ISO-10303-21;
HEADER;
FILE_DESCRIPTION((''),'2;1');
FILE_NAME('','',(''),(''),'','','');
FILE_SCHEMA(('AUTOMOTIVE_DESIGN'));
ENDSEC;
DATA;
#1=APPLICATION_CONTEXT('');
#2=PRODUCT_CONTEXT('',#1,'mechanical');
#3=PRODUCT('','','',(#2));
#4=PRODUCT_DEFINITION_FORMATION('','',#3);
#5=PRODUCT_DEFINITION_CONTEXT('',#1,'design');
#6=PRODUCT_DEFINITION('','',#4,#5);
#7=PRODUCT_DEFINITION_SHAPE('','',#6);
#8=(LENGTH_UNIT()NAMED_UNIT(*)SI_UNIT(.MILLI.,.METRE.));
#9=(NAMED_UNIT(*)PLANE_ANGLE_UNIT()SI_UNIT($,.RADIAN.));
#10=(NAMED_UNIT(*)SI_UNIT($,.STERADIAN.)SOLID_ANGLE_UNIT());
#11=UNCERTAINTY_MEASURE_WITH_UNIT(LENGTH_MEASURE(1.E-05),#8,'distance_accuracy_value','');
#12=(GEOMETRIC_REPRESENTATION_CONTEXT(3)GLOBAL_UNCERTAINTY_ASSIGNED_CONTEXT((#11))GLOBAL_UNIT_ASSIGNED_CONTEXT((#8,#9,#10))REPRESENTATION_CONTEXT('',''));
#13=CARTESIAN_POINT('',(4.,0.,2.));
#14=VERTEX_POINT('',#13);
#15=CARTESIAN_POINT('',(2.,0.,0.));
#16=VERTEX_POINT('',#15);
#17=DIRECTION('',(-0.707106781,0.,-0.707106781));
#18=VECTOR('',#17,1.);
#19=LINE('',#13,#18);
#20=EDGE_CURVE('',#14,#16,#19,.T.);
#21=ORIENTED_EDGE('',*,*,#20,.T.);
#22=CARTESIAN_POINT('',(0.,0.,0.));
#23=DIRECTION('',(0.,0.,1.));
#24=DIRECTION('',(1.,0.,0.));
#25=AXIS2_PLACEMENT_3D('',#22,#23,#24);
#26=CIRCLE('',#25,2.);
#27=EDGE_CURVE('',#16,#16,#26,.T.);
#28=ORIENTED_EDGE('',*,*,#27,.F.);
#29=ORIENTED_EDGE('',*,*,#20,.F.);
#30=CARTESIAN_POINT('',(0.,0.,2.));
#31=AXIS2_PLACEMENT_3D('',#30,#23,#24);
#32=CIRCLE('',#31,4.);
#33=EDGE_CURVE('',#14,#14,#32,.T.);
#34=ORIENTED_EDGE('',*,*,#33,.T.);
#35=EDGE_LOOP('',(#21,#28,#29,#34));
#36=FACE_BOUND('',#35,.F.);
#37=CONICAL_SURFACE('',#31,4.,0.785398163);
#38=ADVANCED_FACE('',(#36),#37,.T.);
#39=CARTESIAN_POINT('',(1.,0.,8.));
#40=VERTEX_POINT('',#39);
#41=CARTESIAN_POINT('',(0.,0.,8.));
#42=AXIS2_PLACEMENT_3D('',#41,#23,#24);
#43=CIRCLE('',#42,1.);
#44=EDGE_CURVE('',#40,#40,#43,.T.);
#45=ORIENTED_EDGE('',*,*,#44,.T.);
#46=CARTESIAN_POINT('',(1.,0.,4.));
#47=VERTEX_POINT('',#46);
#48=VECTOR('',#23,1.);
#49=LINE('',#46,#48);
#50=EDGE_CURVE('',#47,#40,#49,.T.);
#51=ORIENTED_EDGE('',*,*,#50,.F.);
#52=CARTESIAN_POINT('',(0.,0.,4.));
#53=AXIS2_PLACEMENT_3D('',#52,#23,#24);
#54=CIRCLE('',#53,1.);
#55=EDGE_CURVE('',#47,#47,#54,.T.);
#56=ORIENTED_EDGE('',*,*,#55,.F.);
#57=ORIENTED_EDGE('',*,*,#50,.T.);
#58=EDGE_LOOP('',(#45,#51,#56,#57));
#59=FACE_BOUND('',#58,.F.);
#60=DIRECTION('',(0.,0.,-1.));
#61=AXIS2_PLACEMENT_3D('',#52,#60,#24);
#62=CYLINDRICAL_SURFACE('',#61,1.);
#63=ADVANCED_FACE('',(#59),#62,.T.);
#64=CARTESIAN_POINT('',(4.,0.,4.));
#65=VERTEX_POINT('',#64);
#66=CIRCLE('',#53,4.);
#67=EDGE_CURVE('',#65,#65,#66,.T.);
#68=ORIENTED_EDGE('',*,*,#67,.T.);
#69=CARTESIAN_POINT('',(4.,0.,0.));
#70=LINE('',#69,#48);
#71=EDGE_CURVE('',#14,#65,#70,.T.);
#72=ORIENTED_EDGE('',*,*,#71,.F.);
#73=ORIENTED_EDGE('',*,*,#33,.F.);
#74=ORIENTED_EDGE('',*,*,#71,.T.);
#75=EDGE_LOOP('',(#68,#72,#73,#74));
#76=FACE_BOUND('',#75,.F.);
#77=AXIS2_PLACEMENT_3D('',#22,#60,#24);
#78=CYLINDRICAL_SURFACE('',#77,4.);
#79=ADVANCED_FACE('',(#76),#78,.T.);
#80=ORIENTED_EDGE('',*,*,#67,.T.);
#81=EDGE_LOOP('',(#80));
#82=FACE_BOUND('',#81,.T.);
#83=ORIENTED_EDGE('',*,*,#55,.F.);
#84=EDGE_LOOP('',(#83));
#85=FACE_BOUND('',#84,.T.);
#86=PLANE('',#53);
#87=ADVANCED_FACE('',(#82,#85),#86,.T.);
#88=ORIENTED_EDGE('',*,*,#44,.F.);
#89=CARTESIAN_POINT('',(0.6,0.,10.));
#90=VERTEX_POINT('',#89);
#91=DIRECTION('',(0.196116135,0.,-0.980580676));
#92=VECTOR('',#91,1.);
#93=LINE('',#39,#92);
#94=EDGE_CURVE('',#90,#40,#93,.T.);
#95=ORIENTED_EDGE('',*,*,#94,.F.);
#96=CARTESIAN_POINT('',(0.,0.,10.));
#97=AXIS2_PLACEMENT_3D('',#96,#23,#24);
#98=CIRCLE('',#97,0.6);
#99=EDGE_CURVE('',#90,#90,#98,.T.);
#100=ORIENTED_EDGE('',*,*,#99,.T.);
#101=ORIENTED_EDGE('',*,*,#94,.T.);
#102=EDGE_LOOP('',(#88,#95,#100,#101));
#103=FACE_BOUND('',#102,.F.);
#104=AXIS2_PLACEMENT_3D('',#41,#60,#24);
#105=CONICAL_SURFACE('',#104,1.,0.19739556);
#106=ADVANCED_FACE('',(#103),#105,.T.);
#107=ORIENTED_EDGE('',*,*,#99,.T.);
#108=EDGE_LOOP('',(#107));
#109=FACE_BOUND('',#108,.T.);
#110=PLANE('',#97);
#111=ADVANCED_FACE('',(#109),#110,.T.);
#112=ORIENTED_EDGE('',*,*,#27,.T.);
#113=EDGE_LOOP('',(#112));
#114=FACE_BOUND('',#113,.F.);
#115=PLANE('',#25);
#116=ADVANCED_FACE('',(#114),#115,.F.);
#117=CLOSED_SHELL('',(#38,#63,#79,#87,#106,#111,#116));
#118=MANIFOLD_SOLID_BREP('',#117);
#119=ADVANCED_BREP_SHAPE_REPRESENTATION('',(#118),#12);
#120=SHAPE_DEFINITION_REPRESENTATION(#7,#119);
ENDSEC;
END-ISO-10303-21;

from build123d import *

# Parameters (mm, degrees)
F0_R     = 4
F1_DEPTH = 4
F2_R     = 1
F3_DEPTH = 6
F4_SIZE2 = 2
F4_SIZE  = 0.4
F5_SIZE2 = 2
F5_SIZE  = 2


with BuildPart() as f1:
    # F0 (on Top) → F1 (new body)
    with BuildSketch(Plane.XY):
        Circle(F0_R)
    extrude(amount=F1_DEPTH)

    # F2 (on face) → F3 (join)
    with BuildSketch(Plane.XY.offset(4)):
        Circle(F2_R)
    extrude(amount=F3_DEPTH)

    # F4
    f4_edges = [f1.edges().sort_by_distance(p)[0] for p in [
        (-1, 0, 10),
    ]]
    f4_side = f1.faces().sort_by_distance((0, 0, 10))[0]
    chamfer(f4_edges, length=F4_SIZE, length2=F4_SIZE2, reference=f4_side)

    # F5
    f5_edges = [f1.edges().sort_by_distance(p)[0] for p in [
        (-4, 0, 0),
    ]]
    chamfer(f5_edges, length=F5_SIZE, length2=F5_SIZE2)


solid = f1.part
